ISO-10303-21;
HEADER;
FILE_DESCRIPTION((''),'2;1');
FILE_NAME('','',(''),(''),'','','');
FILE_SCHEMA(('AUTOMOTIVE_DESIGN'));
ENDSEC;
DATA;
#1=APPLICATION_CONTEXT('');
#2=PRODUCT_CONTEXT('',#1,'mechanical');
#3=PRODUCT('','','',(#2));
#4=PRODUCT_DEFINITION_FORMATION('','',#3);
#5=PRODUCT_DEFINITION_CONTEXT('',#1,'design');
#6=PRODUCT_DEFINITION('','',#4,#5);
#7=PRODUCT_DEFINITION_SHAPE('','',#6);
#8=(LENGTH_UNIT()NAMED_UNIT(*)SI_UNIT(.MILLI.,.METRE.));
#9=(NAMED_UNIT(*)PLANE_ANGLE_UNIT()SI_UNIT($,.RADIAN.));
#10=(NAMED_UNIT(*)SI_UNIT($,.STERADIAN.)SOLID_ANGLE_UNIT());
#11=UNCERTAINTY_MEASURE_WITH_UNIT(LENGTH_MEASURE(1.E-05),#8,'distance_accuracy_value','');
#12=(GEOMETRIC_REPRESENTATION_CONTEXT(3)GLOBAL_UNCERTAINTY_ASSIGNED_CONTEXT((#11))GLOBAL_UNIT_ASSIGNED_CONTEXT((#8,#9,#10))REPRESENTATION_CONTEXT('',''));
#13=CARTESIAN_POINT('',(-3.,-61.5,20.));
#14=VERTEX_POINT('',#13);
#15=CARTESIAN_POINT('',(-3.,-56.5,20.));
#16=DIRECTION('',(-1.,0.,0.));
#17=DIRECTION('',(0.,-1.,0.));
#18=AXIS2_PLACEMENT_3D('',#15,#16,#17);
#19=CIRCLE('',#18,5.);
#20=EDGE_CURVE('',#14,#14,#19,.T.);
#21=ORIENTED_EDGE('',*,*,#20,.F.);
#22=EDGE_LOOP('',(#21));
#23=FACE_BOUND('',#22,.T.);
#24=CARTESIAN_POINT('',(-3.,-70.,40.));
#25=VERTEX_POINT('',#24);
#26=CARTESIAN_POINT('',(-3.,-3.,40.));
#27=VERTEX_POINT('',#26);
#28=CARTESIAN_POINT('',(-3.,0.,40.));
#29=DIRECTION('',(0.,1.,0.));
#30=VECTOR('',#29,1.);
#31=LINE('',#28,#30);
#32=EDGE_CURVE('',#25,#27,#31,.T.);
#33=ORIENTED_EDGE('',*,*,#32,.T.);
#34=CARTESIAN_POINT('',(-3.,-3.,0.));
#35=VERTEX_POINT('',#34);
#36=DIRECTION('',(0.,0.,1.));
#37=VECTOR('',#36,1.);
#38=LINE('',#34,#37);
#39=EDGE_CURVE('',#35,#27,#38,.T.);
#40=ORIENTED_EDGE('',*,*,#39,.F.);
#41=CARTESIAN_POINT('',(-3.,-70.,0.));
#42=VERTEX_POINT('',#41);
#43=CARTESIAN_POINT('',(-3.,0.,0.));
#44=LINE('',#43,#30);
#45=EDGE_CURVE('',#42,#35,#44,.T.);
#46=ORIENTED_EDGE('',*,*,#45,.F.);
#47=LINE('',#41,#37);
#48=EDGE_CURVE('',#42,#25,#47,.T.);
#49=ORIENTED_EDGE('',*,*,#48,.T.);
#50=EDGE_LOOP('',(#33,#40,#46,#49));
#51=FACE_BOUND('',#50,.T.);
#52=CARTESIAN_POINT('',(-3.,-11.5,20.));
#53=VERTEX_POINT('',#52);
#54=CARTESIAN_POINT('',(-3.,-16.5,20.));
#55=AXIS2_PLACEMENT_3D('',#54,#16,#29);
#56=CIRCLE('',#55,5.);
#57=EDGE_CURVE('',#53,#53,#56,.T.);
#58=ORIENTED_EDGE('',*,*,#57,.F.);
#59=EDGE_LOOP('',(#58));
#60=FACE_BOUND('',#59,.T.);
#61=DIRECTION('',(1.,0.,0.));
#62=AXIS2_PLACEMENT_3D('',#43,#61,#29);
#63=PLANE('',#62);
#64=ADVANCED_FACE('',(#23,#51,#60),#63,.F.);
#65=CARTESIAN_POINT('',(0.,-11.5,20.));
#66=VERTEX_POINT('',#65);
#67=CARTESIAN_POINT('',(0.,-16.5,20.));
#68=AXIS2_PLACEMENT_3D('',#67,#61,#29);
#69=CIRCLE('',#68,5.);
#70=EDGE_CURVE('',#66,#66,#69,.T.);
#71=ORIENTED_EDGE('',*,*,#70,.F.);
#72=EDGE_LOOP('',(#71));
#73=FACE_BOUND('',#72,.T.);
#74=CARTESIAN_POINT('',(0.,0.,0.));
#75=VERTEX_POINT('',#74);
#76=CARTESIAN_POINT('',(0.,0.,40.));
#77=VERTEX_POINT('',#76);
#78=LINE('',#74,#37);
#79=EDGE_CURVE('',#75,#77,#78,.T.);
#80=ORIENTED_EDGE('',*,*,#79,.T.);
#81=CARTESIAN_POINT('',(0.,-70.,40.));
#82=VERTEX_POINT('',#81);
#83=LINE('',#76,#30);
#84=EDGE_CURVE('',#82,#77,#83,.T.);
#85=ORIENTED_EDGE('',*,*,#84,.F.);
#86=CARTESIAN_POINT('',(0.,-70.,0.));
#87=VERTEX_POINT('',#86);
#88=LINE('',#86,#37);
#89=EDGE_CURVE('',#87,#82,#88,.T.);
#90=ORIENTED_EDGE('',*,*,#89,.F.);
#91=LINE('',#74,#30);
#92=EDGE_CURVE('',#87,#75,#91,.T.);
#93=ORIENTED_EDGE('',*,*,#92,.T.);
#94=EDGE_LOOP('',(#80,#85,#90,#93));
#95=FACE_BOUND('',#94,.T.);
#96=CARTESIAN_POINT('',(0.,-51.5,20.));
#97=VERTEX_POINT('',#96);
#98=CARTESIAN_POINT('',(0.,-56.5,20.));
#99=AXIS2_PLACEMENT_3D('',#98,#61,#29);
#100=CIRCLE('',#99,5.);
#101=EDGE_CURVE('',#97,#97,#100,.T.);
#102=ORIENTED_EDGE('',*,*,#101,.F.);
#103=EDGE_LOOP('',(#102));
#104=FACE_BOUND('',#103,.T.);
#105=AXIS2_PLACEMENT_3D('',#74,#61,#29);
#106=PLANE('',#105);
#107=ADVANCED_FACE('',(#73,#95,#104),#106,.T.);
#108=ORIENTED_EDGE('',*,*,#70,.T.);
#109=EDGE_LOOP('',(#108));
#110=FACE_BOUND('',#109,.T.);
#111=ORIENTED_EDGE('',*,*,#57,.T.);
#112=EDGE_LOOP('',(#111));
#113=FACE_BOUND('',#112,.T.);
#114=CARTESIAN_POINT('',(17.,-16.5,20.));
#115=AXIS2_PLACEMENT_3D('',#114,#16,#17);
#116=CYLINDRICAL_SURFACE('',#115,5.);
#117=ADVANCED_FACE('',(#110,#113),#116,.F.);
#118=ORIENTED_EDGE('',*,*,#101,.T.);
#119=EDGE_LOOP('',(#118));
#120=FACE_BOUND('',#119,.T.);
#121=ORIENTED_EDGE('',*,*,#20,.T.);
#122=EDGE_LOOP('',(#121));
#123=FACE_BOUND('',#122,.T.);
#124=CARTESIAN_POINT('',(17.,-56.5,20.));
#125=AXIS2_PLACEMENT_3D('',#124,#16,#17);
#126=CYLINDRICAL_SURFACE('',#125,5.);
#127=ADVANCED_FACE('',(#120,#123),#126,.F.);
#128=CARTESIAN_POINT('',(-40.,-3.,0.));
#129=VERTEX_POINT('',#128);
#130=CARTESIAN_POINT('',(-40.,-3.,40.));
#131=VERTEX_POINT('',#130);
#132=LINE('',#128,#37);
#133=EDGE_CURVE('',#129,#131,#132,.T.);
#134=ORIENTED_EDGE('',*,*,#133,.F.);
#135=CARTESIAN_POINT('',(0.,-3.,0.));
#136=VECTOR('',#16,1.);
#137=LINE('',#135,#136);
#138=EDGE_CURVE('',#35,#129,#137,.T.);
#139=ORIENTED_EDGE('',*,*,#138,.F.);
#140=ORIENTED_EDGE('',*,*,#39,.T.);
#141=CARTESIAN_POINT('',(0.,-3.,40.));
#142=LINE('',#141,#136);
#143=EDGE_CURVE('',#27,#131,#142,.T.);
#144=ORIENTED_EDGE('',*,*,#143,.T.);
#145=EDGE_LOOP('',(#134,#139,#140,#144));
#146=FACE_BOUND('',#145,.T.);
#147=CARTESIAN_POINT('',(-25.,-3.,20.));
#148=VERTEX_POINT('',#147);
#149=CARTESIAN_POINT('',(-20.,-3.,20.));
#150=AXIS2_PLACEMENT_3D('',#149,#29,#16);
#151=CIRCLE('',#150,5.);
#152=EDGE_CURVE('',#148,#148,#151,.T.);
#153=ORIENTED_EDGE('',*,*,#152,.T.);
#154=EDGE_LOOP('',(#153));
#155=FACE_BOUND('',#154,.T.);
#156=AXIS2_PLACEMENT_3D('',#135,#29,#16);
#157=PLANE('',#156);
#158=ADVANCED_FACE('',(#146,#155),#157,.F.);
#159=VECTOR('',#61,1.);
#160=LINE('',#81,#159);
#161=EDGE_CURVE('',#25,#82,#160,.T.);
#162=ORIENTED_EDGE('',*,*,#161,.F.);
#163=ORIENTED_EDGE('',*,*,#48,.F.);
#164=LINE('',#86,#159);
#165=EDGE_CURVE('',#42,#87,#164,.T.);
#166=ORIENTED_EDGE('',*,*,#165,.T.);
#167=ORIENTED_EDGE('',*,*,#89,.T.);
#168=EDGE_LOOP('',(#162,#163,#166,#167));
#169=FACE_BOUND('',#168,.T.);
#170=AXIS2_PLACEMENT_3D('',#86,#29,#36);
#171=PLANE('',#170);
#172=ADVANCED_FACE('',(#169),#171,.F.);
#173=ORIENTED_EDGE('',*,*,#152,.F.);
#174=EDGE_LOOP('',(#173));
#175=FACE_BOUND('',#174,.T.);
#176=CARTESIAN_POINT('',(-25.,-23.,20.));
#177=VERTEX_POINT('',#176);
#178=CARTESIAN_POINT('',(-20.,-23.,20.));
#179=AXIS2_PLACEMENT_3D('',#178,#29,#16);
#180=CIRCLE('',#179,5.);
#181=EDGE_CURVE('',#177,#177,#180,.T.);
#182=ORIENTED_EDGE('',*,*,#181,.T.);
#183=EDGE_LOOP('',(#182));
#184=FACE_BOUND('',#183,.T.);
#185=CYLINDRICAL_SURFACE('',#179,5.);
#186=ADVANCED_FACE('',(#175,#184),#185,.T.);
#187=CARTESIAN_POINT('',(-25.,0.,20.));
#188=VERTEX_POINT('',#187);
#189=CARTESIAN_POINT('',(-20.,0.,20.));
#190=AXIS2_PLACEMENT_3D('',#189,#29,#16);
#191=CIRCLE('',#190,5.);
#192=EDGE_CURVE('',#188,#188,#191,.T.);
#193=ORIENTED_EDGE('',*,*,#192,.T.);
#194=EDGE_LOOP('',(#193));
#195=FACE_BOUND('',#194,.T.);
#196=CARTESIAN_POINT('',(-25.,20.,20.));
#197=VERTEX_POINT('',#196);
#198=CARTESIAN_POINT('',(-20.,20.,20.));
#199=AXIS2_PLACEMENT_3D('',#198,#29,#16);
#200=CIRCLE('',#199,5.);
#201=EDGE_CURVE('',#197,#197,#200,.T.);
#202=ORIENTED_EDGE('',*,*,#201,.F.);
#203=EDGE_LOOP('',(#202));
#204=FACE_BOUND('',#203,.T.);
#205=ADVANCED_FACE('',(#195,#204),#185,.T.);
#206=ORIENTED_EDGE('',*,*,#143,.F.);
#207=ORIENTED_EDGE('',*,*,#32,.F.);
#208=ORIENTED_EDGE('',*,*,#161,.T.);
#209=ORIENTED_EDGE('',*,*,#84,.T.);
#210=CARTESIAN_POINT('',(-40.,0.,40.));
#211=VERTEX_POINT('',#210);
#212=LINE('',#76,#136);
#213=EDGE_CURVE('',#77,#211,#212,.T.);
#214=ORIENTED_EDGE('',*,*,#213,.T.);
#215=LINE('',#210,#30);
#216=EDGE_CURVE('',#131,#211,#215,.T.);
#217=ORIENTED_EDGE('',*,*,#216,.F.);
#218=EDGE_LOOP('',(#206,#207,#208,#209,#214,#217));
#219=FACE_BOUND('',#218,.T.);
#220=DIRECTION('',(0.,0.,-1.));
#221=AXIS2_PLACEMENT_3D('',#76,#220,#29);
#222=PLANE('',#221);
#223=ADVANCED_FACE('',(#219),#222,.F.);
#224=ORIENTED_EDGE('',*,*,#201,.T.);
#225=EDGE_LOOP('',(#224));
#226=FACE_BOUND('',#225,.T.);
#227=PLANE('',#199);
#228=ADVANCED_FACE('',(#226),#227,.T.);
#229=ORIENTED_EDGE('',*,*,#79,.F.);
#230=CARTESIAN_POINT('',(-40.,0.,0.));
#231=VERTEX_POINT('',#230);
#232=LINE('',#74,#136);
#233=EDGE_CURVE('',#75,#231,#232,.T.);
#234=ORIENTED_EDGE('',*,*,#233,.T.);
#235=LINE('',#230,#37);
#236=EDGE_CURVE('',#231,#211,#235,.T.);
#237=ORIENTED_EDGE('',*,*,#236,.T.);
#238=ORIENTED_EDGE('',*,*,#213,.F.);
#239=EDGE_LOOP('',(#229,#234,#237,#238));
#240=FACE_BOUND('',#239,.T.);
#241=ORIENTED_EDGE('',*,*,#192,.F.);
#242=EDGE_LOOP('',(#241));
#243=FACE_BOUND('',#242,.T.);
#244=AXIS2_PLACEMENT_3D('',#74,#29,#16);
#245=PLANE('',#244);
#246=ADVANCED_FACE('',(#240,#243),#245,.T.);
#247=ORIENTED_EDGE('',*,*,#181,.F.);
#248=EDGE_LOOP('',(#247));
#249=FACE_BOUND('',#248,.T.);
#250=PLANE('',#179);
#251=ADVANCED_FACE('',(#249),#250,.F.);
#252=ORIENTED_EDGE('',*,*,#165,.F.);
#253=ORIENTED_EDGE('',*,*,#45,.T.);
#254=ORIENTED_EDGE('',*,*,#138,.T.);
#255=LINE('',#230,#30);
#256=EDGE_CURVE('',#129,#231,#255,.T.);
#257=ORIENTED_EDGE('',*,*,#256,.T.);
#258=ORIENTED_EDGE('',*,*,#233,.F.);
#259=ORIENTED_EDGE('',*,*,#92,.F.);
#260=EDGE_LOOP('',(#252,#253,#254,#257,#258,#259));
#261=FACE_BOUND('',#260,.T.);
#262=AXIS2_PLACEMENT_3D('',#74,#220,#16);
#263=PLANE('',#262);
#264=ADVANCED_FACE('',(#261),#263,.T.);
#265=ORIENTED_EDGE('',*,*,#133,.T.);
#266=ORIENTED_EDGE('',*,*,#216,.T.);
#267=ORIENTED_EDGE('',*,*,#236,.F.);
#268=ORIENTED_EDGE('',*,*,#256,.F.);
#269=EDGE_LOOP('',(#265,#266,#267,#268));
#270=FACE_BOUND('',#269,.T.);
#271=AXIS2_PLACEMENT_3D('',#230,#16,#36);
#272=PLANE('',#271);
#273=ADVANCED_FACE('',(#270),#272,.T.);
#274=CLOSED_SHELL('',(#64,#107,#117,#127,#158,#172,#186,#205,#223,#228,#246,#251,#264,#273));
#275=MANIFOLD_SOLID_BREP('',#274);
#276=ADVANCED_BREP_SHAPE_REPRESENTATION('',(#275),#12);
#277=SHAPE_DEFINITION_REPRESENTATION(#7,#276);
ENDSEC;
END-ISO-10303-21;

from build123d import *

# Parameters (mm, degrees)
SUPERFICIE_EXTRUIR1_1_DEPTH = 40
DAR_ESPESOR1_T1             = 3
EXTRUIR1_DEPTH              = 20
EXTRUIR1_DEPTH_BACK         = 23
CROQUIS2_R                  = 5
CROQUIS3_R                  = 5
EXTRUIR2_DEPTH              = 20


with BuildPart() as body_1:
    # Superficie-Extruir1: a surface, the sketch's curves swept straight by 40 mm
    with BuildLine(Plane.XY, mode=Mode.PRIVATE) as superficie_extruir1_1_path:
        Line((0, -70), (0, 0))
        Line((0, 0), (-40, 0))
    superficie_extruir1_1 = Shell.extrude(superficie_extruir1_1_path.wire(), (0 * SUPERFICIE_EXTRUIR1_1_DEPTH, 0 * SUPERFICIE_EXTRUIR1_1_DEPTH, 1 * SUPERFICIE_EXTRUIR1_1_DEPTH))
    add(Solid.thicken(superficie_extruir1_1, DAR_ESPESOR1_T1))

    # Croquis2 → Extruir1 (add, two sides: drawn at the far end of the back side and taken through both)
    with BuildSketch(Plane(origin=(0, 0, 0), x_dir=(1, 0, 0), z_dir=(0, 1, 0)).offset(-EXTRUIR1_DEPTH_BACK)):
        with Locations(Location((-20, -20, 0), (0, 0, 180))):
            Circle(CROQUIS2_R)
    extrude(amount=EXTRUIR1_DEPTH + EXTRUIR1_DEPTH_BACK)

    # Croquis3 → Extruir2 (cut)
    with BuildSketch(Plane.ZY.offset(3)):
        with Locations(Location((20, -56.5, 0), (0, 0, 270))):
            Circle(CROQUIS3_R)
        with Locations(Location((20, -16.5, 0), (0, 0, 90))):
            Circle(CROQUIS3_R)
    extrude(amount=-EXTRUIR2_DEPTH, mode=Mode.SUBTRACT)


solid = body_1.part
